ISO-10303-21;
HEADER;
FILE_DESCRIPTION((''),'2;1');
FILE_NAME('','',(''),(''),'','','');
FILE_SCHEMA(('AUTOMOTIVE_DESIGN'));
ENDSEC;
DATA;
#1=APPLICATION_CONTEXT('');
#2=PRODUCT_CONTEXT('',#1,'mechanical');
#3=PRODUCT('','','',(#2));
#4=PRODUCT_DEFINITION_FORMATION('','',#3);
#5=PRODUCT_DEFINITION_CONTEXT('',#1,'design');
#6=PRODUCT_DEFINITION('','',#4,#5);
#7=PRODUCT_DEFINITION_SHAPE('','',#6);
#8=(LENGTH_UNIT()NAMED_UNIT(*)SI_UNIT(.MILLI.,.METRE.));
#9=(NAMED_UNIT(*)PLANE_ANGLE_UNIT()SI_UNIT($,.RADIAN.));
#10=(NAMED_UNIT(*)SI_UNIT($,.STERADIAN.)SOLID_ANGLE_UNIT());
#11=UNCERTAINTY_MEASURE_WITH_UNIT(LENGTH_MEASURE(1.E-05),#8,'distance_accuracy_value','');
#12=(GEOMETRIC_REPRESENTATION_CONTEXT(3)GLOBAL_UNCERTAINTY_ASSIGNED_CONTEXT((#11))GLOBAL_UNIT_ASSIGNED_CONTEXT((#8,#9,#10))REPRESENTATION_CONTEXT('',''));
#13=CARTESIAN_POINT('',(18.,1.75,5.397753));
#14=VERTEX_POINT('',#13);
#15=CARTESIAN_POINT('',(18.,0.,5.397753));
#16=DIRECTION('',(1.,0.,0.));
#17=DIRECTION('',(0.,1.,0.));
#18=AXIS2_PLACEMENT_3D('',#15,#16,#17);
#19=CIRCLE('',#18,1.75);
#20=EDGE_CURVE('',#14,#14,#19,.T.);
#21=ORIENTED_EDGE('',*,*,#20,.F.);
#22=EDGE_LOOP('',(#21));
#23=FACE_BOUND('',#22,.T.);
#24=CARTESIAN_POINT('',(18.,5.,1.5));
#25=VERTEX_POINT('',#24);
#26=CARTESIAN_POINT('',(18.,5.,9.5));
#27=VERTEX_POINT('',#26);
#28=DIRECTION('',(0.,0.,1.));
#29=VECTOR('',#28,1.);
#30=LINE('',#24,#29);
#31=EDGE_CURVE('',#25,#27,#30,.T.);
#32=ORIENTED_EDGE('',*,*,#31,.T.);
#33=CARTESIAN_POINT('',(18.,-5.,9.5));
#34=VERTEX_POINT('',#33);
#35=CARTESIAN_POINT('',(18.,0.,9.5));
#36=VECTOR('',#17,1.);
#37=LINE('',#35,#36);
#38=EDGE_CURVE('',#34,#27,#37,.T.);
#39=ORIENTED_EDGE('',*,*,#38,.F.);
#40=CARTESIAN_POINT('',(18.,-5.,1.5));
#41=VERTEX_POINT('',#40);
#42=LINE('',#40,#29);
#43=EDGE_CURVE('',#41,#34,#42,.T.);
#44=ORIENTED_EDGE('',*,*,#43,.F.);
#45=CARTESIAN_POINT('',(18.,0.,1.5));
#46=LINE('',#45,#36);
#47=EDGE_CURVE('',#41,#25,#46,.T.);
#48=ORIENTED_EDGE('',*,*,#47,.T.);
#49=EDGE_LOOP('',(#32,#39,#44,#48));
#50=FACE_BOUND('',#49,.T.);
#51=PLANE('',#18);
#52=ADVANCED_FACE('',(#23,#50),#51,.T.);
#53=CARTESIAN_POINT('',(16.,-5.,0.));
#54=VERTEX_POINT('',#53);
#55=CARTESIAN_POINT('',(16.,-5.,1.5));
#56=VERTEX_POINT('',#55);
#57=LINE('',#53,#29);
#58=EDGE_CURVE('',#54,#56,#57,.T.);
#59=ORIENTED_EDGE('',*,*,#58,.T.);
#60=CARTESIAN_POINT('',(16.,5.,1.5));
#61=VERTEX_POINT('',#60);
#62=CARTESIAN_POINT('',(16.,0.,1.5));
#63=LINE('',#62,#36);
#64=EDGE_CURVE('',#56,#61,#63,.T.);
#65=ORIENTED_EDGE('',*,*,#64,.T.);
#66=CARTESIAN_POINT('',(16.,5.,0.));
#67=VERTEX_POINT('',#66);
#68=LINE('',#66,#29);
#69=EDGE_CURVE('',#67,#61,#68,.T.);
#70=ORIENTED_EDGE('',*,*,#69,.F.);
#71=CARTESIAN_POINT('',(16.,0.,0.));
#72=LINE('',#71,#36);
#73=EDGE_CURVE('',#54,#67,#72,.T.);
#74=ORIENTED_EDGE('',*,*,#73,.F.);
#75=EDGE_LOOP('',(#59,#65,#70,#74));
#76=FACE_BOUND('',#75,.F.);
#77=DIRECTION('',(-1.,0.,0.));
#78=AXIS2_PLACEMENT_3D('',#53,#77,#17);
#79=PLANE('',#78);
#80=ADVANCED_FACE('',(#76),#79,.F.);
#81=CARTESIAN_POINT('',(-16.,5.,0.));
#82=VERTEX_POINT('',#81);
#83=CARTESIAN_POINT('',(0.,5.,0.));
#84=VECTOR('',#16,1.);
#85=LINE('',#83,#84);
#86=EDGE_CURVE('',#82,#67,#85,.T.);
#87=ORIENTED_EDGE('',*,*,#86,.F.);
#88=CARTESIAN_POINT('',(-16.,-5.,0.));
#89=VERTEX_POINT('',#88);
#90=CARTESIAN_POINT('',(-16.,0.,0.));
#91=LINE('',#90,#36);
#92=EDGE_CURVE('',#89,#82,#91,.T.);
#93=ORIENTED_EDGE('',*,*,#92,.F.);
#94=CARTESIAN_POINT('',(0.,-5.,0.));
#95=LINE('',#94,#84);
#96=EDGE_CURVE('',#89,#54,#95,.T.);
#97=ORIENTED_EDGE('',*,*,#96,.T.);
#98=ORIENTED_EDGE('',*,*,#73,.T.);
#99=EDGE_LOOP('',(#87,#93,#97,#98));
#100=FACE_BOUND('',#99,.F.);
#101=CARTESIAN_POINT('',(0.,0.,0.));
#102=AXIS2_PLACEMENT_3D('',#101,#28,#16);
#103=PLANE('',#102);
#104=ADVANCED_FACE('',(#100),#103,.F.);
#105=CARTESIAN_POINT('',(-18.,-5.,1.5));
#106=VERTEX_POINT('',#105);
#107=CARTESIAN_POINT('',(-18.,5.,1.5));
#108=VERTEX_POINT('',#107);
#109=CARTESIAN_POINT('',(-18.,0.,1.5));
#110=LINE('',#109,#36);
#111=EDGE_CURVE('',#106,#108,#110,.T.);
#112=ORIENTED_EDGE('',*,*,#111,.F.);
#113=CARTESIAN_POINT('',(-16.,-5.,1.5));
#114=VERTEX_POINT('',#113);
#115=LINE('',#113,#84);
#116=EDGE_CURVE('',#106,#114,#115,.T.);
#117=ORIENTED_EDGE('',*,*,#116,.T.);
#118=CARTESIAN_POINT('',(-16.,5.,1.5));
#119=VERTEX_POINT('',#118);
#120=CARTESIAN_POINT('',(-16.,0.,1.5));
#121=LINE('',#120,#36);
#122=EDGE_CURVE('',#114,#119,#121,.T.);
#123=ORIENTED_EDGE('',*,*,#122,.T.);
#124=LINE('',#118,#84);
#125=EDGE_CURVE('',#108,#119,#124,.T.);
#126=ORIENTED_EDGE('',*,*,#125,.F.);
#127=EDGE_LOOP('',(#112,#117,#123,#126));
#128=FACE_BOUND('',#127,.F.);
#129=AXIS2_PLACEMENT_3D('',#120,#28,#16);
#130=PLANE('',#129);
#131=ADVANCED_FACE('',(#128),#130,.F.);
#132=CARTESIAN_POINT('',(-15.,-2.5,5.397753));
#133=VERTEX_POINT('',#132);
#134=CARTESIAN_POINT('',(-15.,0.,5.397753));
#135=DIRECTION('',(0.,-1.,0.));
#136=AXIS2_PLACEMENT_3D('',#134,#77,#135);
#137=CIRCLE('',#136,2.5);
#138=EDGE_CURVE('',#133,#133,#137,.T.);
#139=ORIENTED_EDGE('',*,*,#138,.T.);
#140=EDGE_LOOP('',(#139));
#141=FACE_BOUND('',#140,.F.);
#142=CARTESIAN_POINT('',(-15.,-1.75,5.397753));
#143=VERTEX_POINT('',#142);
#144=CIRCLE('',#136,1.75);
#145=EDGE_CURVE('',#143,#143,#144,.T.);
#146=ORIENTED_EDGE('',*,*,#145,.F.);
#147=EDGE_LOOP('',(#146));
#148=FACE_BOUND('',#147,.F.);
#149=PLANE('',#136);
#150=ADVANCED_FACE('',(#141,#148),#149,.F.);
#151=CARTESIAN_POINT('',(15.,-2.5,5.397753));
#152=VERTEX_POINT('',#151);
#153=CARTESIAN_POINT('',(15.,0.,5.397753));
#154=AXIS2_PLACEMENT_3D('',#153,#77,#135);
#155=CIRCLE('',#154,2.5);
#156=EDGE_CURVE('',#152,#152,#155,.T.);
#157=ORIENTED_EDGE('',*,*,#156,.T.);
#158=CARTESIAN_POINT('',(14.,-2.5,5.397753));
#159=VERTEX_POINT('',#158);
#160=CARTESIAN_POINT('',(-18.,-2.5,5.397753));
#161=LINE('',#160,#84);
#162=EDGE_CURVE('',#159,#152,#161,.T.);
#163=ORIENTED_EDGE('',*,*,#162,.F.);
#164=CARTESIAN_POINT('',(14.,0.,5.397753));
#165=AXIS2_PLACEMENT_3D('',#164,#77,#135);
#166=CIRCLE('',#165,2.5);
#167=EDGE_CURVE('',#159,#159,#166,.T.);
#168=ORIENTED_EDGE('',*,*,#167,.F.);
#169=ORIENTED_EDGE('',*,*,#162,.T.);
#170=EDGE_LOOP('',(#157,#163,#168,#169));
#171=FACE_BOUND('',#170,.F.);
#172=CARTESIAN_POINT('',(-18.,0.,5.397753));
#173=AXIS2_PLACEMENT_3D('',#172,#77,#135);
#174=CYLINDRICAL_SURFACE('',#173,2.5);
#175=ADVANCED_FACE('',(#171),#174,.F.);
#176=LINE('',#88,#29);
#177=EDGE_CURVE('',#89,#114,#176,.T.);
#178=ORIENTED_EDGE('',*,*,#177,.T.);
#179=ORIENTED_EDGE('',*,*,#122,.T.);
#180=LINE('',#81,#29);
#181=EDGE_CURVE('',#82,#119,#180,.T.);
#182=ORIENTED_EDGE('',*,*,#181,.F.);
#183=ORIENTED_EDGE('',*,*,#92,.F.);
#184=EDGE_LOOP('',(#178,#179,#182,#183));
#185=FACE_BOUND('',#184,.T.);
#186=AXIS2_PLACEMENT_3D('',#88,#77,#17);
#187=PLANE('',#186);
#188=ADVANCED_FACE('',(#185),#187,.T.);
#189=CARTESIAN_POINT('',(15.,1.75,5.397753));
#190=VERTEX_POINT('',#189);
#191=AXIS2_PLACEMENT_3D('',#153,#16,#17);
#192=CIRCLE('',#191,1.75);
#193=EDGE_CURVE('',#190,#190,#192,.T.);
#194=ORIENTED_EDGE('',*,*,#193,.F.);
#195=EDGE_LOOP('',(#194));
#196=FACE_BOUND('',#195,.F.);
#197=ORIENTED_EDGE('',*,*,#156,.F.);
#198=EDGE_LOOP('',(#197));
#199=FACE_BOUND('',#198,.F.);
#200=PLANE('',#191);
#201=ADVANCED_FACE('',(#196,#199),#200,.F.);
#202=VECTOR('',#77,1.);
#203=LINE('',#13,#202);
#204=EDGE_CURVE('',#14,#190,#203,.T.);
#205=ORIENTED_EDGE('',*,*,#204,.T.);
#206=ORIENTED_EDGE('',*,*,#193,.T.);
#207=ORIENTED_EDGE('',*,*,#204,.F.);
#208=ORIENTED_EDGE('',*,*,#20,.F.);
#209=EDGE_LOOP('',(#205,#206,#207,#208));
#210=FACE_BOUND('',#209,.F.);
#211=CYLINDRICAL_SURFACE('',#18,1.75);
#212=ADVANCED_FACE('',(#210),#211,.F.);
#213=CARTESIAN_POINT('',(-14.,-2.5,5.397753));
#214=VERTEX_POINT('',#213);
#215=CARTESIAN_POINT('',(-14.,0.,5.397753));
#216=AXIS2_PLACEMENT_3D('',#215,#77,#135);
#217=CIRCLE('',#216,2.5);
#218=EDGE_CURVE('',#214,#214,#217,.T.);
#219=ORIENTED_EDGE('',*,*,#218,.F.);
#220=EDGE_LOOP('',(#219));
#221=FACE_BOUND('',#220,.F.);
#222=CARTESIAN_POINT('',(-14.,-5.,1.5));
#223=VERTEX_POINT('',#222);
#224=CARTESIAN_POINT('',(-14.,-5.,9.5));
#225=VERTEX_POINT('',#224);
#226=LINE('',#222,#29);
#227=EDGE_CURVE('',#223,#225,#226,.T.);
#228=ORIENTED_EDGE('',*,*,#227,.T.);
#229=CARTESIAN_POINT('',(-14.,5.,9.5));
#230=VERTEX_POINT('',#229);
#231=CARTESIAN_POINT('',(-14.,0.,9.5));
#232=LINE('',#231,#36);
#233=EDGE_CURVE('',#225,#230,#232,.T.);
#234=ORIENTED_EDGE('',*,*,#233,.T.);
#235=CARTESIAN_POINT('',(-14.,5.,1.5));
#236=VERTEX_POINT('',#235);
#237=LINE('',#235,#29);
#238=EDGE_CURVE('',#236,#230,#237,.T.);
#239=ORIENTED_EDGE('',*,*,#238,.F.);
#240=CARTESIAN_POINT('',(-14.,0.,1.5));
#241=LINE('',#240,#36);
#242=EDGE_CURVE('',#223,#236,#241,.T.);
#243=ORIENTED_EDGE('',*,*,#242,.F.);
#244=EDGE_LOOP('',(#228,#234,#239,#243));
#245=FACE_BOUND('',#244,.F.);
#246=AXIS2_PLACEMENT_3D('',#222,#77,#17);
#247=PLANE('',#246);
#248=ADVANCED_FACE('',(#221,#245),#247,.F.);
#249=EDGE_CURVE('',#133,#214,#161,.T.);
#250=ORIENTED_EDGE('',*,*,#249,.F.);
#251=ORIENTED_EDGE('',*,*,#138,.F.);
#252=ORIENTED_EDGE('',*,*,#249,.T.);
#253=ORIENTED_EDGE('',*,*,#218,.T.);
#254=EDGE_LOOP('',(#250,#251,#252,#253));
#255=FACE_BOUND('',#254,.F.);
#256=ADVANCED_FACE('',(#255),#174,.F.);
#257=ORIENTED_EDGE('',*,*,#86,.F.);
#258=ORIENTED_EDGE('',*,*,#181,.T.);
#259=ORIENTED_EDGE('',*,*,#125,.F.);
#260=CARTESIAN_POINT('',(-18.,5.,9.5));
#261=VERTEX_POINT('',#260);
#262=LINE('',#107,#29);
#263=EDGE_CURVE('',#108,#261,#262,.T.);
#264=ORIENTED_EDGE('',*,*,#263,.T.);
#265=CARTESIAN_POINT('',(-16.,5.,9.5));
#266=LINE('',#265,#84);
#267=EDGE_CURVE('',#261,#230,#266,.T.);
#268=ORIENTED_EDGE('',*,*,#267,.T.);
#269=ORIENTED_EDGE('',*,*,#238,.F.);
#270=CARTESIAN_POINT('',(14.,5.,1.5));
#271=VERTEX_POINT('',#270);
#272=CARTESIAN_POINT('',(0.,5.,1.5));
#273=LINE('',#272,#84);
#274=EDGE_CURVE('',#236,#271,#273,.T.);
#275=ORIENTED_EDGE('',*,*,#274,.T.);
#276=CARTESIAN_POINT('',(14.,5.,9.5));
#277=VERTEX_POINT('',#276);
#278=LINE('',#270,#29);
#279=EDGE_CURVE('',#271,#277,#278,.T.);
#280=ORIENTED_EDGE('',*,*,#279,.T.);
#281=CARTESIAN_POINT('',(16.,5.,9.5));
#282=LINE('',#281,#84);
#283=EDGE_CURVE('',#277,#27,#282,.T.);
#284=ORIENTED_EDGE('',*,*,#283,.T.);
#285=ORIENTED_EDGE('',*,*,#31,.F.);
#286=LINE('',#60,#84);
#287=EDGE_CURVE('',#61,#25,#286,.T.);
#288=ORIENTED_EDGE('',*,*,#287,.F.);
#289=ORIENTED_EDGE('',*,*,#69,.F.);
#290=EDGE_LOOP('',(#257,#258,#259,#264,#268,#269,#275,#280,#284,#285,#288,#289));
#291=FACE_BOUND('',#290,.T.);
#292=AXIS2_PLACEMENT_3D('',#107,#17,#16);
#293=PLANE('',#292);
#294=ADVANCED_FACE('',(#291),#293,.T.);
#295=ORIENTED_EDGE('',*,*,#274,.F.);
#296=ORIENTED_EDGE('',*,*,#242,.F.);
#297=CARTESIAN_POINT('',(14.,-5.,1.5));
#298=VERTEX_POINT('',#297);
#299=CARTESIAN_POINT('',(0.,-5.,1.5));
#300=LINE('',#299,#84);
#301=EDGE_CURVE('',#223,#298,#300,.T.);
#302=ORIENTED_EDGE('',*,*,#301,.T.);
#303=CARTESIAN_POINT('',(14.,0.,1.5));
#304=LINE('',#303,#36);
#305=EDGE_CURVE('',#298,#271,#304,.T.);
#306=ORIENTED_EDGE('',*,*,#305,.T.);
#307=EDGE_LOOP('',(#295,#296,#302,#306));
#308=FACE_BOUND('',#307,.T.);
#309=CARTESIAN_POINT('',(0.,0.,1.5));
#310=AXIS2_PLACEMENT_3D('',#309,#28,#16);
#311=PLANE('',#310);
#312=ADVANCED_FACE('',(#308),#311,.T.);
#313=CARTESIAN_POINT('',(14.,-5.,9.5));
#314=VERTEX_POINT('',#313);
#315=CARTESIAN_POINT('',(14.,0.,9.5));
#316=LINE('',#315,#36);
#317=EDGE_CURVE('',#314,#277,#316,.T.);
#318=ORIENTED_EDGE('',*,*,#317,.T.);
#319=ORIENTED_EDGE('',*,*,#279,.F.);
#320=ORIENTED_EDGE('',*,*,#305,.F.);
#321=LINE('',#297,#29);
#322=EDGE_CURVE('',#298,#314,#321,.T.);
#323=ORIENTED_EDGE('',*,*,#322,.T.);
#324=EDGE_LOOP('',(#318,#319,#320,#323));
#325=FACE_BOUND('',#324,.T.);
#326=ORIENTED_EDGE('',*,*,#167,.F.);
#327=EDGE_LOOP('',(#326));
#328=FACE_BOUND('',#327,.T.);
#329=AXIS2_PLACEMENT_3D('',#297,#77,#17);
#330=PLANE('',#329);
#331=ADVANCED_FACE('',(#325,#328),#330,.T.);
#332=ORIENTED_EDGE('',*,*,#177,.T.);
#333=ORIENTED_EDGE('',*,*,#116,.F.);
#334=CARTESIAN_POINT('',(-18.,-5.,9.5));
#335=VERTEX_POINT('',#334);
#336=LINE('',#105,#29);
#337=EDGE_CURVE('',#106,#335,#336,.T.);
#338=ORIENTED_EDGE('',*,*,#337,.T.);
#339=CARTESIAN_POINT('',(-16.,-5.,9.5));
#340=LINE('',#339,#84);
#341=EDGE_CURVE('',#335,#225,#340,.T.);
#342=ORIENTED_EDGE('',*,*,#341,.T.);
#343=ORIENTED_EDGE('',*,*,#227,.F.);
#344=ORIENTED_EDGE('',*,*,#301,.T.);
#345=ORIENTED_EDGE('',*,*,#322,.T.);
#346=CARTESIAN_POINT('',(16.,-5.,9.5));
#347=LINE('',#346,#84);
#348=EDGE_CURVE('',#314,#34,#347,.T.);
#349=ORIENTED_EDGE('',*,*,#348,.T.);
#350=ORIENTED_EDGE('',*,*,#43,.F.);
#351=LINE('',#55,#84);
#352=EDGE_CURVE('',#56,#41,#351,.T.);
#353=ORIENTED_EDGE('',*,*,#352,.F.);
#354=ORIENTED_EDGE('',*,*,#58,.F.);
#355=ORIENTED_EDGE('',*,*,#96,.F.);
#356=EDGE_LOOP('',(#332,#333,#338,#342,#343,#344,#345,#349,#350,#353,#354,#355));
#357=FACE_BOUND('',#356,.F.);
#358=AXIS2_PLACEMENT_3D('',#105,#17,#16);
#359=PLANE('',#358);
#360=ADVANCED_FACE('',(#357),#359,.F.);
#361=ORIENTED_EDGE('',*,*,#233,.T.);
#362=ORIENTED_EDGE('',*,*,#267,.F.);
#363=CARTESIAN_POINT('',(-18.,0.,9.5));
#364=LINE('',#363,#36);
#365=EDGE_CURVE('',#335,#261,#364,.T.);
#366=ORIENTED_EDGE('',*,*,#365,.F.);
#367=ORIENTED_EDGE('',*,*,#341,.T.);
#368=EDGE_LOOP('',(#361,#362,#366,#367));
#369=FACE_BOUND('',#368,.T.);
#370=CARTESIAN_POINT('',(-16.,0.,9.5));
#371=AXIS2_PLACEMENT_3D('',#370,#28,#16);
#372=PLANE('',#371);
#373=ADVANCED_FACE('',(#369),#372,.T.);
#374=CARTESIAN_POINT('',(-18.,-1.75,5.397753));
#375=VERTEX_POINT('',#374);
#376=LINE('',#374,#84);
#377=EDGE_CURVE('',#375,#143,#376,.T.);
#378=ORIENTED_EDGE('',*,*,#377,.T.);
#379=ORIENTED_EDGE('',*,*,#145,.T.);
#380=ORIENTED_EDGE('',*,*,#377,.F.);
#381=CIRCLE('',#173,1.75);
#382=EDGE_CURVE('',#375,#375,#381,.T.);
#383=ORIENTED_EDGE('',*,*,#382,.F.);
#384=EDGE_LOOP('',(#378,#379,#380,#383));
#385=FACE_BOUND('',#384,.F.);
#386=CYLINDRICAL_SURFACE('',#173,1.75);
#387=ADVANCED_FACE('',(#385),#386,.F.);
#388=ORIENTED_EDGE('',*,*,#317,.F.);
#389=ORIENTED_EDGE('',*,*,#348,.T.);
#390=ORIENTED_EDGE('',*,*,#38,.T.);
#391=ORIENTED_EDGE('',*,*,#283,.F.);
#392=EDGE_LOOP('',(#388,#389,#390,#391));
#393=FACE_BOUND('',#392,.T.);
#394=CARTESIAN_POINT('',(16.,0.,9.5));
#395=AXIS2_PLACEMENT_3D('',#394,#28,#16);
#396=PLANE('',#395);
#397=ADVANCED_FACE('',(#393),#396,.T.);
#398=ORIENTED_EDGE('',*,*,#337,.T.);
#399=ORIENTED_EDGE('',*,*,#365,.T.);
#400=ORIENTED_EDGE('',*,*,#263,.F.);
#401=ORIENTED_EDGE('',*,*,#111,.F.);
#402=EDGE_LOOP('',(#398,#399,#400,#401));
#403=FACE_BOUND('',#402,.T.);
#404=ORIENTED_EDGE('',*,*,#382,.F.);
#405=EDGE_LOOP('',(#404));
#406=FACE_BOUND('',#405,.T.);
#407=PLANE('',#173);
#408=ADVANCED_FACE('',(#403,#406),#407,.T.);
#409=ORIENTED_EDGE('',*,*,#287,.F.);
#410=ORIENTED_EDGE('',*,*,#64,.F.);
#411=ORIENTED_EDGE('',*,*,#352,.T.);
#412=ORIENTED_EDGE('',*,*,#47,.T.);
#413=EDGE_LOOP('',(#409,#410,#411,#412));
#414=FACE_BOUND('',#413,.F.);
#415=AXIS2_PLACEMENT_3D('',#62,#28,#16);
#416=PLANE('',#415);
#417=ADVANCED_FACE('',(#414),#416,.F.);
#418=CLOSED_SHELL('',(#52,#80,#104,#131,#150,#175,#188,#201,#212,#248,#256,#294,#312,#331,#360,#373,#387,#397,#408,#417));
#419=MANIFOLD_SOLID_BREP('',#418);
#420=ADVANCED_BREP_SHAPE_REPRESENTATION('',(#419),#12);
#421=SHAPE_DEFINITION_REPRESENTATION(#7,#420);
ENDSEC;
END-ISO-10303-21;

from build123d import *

# Parameters (mm, degrees)
F0_W     = 32
F0_H     = 10
F1_DEPTH = 1.5
F2_W     = 4
F2_H     = 10
F3_DEPTH = 8
F4_R     = 2.5
F5_DEPTH = 50
F6_R     = 2.5
F6_R_2   = 1.75
F7_DEPTH = 3
F8_R     = 2.5
F8_R_2   = 1.75
F9_DEPTH = 3


with BuildPart() as f1:
    # F0 (on Top) → F1 (new body)
    with BuildSketch(Plane.XY):
        Rectangle(F0_W, F0_H)
    extrude(amount=F1_DEPTH)

    # F2 (on face) → F3 (join)
    with BuildSketch(Plane.XY.offset(1.5)):
        with Locations((-16, 0)):
            Rectangle(F2_W, F2_H)
        with Locations((16, 0)):
            Rectangle(F2_W, F2_H)
    extrude(amount=F3_DEPTH)

    # F4 (on face) → F5 (cut)
    with BuildSketch(Plane(origin=(-18, 0, 0), x_dir=(0, -1, 0), z_dir=(-1, 0, 0))):
        with Locations((0, 5.397753)):
            Circle(F4_R)
    extrude(amount=-F5_DEPTH, mode=Mode.SUBTRACT)

    # F6 (on face) → F7 (join)
    with BuildSketch(Plane(origin=(-18, 0, 0), x_dir=(0, -1, 0), z_dir=(-1, 0, 0))):
        with Locations((0, 5.397753)):
            Circle(F6_R)
        with Locations((0, 5.397753)):
            Circle(F6_R_2, mode=Mode.SUBTRACT)
    extrude(amount=-F7_DEPTH)

    # F8 (on face) → F9 (join)
    with BuildSketch(Plane.YZ.offset(18)):
        with Locations((0, 5.397753)):
            Circle(F8_R)
        with Locations((0, 5.397753)):
            Circle(F8_R_2, mode=Mode.SUBTRACT)
    extrude(amount=-F9_DEPTH)


solid = f1.part
